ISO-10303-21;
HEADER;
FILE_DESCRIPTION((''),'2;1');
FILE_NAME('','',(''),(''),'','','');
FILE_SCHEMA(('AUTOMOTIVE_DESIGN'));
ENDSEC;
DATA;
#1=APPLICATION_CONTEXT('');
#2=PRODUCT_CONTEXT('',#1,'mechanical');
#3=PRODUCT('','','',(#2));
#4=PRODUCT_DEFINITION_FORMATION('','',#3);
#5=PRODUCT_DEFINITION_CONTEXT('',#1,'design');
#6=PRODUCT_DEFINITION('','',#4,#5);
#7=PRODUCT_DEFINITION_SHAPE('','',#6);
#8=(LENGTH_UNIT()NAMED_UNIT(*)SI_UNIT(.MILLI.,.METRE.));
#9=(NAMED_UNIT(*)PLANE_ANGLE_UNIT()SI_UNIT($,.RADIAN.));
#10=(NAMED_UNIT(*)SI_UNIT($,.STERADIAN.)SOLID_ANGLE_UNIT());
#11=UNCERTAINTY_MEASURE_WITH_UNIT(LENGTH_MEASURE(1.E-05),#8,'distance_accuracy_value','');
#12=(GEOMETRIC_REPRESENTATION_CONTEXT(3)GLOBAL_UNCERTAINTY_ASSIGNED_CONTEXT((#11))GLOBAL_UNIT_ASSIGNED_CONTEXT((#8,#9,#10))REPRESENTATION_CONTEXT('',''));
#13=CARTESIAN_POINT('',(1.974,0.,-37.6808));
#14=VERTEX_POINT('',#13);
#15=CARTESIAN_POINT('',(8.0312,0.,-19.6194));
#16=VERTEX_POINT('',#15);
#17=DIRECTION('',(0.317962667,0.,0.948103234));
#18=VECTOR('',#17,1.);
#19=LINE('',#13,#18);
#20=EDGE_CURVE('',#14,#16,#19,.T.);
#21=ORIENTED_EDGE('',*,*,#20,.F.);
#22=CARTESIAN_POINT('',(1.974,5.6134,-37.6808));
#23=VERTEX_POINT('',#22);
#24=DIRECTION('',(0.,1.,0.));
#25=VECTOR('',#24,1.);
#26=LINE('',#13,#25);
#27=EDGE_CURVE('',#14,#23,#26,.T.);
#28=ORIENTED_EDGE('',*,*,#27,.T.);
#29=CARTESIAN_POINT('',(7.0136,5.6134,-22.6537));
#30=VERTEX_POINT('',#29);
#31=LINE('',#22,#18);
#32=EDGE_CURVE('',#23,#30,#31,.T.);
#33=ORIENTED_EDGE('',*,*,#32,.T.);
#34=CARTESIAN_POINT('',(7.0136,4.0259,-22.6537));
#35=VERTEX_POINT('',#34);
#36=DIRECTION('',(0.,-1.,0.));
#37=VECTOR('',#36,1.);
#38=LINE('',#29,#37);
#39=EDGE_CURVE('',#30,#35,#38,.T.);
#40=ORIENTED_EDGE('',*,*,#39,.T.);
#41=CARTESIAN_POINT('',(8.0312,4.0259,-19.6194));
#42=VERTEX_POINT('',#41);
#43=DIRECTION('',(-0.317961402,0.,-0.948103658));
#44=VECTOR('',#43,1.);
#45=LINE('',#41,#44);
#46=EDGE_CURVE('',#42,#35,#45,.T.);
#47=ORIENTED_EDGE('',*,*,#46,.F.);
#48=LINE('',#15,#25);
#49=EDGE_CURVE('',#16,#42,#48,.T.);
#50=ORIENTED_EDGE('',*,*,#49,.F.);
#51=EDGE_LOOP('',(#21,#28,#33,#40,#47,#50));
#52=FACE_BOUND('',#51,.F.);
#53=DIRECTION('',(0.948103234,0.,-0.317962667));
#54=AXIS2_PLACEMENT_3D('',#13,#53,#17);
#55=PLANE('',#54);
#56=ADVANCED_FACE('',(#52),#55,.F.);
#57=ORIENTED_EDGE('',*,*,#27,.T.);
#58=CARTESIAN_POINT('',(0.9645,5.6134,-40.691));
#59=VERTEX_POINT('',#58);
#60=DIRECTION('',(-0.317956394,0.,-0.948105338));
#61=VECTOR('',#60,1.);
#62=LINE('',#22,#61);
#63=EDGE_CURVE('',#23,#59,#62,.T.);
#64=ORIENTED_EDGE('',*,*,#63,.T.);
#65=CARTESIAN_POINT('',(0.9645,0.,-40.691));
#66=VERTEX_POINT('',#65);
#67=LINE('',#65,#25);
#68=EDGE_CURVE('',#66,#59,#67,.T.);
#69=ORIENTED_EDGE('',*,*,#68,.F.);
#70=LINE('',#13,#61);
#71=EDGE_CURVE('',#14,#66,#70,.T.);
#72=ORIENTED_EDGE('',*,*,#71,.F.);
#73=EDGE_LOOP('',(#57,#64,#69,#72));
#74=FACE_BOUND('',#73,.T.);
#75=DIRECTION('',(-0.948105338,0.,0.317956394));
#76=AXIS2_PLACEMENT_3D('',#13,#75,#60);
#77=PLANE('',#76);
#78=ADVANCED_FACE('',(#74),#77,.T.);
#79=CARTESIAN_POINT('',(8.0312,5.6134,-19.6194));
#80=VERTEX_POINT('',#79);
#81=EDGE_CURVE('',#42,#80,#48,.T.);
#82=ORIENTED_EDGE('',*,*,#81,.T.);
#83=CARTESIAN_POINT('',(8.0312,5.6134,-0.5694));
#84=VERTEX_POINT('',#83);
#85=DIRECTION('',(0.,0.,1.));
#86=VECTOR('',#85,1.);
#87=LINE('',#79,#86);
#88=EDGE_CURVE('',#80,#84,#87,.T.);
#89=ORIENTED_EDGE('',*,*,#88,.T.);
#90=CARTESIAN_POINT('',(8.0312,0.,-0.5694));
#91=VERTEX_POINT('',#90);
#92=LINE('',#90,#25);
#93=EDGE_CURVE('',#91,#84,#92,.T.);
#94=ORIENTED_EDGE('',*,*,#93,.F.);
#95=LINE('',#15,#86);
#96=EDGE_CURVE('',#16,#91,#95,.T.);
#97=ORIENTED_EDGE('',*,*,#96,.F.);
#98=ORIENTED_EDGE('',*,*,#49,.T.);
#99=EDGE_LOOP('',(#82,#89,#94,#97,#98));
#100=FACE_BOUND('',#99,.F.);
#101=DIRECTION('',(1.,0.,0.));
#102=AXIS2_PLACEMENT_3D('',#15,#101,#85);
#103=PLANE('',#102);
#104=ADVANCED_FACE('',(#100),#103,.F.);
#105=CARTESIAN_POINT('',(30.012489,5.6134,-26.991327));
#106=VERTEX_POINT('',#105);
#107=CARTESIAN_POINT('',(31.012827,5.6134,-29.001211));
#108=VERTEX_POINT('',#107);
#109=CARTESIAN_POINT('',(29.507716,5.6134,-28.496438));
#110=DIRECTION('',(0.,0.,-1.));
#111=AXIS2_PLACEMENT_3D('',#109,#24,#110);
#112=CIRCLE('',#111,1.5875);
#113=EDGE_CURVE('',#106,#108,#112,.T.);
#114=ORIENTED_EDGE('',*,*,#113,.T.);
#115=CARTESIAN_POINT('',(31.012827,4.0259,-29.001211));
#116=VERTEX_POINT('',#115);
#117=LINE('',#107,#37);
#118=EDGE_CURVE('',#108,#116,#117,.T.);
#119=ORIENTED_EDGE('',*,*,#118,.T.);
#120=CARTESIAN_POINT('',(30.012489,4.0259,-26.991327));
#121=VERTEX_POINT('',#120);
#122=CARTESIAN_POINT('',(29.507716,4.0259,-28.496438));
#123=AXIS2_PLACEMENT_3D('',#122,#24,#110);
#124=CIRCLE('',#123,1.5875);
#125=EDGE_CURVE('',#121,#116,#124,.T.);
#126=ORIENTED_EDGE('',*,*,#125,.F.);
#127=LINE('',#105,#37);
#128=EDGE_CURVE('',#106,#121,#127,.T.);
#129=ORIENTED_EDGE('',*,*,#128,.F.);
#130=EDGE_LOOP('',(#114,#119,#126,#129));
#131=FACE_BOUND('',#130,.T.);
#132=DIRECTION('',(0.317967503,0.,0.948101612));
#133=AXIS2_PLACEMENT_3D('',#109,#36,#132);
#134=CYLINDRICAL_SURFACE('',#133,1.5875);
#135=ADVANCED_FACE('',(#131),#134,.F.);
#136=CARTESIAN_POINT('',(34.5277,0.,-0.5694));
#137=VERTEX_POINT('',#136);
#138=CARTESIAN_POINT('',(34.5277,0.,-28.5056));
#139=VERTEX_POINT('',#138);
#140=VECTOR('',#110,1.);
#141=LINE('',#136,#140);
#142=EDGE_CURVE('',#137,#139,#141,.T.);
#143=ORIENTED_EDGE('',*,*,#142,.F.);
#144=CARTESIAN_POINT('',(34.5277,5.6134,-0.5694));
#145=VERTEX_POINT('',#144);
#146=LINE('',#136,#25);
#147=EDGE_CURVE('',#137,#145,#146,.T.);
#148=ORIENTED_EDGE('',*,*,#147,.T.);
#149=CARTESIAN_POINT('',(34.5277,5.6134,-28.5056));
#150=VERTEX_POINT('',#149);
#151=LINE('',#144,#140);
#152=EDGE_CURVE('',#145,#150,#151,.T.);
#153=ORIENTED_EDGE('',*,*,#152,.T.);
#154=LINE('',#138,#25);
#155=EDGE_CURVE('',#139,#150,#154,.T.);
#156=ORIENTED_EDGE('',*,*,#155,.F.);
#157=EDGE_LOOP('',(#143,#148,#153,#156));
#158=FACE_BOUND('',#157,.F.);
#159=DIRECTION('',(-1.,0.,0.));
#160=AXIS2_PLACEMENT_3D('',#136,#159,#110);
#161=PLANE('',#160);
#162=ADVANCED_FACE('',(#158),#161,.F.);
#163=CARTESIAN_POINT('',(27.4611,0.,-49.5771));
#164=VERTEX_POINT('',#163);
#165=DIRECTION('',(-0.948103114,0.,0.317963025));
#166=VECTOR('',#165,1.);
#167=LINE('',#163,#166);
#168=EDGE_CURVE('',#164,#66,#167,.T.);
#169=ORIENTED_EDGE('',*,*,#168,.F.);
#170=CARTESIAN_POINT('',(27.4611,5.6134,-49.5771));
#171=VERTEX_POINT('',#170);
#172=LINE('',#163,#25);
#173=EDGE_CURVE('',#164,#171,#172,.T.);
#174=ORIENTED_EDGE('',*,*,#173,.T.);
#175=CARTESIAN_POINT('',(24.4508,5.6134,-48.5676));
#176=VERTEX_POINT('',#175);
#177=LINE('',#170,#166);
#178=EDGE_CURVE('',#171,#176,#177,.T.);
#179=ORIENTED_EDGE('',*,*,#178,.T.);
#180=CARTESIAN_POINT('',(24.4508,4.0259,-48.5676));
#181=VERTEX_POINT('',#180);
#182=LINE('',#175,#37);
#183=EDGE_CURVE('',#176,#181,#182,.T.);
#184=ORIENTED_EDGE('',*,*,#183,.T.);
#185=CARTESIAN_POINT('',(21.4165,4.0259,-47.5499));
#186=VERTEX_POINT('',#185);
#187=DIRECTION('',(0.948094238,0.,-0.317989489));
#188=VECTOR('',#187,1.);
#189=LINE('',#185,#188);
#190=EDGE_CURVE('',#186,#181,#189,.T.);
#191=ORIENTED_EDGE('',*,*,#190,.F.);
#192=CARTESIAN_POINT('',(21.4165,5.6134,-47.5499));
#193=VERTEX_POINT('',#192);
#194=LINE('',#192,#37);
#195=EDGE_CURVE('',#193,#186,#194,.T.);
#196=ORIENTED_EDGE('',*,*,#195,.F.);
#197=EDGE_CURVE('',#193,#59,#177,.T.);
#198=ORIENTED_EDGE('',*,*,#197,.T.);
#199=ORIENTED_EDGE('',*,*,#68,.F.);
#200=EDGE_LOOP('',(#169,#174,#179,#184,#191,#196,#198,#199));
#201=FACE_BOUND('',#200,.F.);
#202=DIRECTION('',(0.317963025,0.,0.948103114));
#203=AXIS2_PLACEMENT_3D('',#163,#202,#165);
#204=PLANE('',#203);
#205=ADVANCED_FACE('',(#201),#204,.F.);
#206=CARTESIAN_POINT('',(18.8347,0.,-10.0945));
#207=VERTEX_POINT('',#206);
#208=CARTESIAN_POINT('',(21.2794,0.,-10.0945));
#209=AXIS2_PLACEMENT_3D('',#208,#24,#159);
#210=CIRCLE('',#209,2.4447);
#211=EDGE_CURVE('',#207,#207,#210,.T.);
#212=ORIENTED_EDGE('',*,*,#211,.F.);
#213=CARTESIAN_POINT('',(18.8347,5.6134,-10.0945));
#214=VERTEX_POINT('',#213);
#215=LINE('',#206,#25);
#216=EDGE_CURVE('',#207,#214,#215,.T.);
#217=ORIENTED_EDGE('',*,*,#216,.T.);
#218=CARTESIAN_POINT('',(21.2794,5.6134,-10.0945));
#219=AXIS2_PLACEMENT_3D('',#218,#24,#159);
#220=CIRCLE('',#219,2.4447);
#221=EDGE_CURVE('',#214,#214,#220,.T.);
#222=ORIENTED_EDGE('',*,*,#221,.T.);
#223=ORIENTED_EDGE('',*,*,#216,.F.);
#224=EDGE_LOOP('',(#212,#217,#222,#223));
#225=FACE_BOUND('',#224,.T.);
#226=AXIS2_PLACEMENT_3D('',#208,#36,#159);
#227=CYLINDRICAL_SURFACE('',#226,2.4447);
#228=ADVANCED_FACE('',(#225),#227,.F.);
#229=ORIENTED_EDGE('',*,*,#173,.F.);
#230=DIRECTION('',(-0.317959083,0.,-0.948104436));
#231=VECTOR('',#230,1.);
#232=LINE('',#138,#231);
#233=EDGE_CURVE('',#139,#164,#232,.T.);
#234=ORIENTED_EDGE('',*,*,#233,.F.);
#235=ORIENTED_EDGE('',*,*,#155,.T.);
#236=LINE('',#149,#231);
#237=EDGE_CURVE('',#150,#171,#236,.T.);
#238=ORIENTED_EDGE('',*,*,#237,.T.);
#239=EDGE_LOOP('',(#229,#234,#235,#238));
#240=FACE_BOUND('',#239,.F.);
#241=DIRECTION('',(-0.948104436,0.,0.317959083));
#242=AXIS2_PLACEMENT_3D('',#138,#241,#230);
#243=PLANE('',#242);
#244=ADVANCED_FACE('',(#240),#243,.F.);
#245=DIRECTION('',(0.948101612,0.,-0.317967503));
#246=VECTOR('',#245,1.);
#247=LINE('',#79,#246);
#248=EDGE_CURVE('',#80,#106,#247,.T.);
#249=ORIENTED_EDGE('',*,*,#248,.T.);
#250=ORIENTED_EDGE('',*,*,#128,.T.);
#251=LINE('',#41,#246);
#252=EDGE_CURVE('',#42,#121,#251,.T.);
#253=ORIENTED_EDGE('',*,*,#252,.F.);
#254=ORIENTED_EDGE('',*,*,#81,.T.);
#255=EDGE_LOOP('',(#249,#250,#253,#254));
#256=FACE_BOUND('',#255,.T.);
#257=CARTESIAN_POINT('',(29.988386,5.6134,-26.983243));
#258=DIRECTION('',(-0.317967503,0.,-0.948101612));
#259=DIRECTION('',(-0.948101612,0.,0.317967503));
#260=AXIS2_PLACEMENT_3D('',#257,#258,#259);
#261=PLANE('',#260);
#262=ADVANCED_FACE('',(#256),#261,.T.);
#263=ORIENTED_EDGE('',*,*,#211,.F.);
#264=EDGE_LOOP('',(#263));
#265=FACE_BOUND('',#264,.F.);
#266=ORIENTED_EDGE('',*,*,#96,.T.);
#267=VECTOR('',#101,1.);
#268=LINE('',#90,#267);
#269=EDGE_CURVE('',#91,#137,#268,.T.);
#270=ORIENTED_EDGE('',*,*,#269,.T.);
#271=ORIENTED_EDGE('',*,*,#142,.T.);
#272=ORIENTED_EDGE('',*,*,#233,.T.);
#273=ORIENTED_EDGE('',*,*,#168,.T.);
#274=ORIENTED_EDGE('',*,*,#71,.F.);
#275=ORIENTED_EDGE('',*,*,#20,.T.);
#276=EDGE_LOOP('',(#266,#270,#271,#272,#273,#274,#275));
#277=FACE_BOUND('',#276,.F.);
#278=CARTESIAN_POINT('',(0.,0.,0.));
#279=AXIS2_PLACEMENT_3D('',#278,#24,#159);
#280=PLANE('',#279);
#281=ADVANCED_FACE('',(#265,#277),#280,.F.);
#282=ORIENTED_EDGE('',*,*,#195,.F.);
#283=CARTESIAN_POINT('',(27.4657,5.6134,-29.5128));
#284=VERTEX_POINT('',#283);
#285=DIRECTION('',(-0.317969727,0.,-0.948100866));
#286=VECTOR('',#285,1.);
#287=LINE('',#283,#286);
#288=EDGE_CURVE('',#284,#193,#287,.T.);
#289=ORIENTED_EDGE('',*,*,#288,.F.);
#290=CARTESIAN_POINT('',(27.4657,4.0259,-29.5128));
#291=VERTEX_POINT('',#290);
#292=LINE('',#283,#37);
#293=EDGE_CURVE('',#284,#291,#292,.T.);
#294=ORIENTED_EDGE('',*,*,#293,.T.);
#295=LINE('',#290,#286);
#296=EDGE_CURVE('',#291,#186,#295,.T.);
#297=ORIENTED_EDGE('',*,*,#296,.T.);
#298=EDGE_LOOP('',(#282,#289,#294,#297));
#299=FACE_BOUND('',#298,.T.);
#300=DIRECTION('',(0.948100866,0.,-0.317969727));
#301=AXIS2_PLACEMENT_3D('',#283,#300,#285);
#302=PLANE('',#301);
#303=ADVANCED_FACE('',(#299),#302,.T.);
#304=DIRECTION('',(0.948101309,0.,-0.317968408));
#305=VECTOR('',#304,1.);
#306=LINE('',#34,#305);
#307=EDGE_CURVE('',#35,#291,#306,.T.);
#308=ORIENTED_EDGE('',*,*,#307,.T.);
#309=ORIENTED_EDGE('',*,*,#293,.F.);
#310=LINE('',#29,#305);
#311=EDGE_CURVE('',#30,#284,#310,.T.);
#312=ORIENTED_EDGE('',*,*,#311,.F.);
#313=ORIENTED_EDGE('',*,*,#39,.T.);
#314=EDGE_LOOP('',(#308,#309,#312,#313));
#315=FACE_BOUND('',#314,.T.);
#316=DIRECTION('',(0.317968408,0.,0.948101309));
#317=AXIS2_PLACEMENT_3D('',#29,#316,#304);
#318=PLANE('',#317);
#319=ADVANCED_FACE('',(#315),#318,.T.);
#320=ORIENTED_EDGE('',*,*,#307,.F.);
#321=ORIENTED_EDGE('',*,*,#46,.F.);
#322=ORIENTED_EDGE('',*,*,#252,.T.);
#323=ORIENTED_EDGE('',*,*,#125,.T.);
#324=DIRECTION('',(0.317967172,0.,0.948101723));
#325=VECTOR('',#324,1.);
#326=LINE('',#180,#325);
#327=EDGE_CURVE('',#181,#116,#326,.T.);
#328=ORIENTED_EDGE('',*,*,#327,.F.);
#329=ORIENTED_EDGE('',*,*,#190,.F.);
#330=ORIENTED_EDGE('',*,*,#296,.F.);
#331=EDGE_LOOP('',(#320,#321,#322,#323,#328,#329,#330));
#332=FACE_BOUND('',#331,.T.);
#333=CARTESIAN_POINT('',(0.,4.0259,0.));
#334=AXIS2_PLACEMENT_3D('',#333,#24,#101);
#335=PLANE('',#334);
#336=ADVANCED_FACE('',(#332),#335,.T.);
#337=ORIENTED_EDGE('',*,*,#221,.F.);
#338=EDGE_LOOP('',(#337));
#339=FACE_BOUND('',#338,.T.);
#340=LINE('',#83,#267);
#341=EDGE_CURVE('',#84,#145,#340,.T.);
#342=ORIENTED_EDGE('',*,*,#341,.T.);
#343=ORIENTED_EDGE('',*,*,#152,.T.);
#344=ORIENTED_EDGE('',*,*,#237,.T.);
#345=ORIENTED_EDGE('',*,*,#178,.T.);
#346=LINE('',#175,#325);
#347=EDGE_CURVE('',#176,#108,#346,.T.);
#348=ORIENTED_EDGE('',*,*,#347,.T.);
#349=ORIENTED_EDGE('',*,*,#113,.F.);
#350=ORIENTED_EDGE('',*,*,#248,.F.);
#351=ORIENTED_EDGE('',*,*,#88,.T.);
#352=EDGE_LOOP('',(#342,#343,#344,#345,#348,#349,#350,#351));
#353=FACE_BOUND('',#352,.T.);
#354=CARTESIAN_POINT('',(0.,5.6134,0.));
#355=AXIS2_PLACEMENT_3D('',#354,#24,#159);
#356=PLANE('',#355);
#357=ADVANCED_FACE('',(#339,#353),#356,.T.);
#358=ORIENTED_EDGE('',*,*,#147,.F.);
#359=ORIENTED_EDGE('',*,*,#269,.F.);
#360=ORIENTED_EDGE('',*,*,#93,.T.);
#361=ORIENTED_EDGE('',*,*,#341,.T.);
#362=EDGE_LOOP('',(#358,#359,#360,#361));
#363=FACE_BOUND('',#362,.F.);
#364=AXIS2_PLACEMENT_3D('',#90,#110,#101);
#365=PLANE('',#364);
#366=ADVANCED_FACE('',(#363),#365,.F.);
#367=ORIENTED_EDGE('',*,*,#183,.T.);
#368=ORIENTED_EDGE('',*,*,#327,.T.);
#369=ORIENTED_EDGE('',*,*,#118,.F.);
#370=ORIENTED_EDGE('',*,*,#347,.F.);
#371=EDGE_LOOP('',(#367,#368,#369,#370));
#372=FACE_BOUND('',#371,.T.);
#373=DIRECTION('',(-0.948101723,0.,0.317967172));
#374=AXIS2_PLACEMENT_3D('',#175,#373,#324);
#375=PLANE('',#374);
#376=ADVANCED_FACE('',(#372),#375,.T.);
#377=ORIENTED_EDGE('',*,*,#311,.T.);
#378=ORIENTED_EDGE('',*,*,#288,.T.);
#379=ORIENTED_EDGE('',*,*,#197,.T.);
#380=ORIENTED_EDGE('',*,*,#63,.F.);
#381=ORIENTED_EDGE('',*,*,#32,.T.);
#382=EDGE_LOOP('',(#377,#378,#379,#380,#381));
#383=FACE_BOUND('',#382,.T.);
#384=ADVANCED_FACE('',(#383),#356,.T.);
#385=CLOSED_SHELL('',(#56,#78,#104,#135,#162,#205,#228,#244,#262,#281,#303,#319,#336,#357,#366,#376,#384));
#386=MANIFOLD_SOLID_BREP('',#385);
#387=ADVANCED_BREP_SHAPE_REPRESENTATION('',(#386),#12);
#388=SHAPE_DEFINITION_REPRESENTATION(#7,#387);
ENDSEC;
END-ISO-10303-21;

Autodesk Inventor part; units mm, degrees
ref_plane "YZ Plane" through (0, 0, 0) normal (1, 0, 0) x (0, 1, 0)
ref_plane "XZ Plane" through (0, 0, 0) normal (0, 1, 0) x (-1, 0, 0)
ref_plane "XY Plane" through (0, 0, 0) normal (0, 0, 1) x (1, 0, 0)
sketch "Sketch1" plane through (0, 0, 0) normal (0, 1, 0) x (-1, 0, 0)
  line L0 (-8.0312, -19.6194) -> (-8.0312, -0.5694)
  line L1 (-8.0312, -0.5694) -> (-34.5277, -0.5694)
  line L2 (-34.5277, -0.5694) -> (-34.5277, -28.5056)
  line L3 (18.6455, 5.0782) -> (18.6456, 5.0782)
  line L4 (-1.974, -37.6808) -> (-8.0312, -19.6194)
  line L5 (-34.5277, -28.5056) -> (-27.4611, -49.5771)
  line L6 (-1.974, -37.6808) -> (-0.9645, -40.691)
  line L7 (-27.4611, -49.5771) -> (-0.9645, -40.691)
  circle A0 centre (-21.2794, -10.0945) radius 2.4447
  line L8 (-8.0312, -0.5694) -> (-8.0312, -19.6194)
  line L9 (-8.0312, -19.6194) -> (-0.9645, -40.691)
  line L10 (-0.9645, -40.691) -> (-27.4611, -49.5771)
  line L11 (-27.4611, -49.5771) -> (-34.5277, -28.5056)
  line L12 (-34.5277, -28.5056) -> (-34.5277, -0.5694)
  line L13 (-34.5277, -0.5694) -> (-8.0312, -0.5694)
  point P0 (0, 0)
  dimension "d0" = 19.05
  dimension "d1" = 22.225
  dimension "d2" = 27.9469
  dimension "d3" = 26.4965
  dimension "d4" = 4.8895
extrude "Extrusion1" add sketch "Sketch1" along normal blind 5.6134
sketch "Sketch2" plane through (0, 5.6134, 0) normal (0, 1, 0) x (1, 0, 0)
  line L0 (31.5176, 27.4961) -> (8.0312, 19.6194)
  line L1 (8.0312, 19.6194) -> (7.0136, 22.6537)
  line L2 (7.0136, 22.6537) -> (27.4657, 29.5128)
  line L3 (31.5176, 27.4961) -> (29.9884, 26.9832)
  line L4 (27.4657, 29.5128) -> (21.4165, 47.5499)
  line L5 (21.4165, 47.5499) -> (24.4508, 48.5676)
  line L6 (24.4508, 48.5676) -> (31.5176, 27.4961)
  line L7 (27.4611, 49.5771) -> (0.9645, 40.691) projected
  point P0 (0, 0)
  point P1 (0, 0)
  dimension "d10" = 3.175
  dimension "d11" = 3.2004
  dimension "d12" = 3.2004
  dimension "d15" = 0
extrude "Extrusion2" cut sketch "Sketch2" against normal blind 1.5875
fillet "Fillet1" radius 1.5875 1 edges at (31.5176, 4.8197, -27.4961)
properties part number "Lidar Sensor Case Piece 2"
